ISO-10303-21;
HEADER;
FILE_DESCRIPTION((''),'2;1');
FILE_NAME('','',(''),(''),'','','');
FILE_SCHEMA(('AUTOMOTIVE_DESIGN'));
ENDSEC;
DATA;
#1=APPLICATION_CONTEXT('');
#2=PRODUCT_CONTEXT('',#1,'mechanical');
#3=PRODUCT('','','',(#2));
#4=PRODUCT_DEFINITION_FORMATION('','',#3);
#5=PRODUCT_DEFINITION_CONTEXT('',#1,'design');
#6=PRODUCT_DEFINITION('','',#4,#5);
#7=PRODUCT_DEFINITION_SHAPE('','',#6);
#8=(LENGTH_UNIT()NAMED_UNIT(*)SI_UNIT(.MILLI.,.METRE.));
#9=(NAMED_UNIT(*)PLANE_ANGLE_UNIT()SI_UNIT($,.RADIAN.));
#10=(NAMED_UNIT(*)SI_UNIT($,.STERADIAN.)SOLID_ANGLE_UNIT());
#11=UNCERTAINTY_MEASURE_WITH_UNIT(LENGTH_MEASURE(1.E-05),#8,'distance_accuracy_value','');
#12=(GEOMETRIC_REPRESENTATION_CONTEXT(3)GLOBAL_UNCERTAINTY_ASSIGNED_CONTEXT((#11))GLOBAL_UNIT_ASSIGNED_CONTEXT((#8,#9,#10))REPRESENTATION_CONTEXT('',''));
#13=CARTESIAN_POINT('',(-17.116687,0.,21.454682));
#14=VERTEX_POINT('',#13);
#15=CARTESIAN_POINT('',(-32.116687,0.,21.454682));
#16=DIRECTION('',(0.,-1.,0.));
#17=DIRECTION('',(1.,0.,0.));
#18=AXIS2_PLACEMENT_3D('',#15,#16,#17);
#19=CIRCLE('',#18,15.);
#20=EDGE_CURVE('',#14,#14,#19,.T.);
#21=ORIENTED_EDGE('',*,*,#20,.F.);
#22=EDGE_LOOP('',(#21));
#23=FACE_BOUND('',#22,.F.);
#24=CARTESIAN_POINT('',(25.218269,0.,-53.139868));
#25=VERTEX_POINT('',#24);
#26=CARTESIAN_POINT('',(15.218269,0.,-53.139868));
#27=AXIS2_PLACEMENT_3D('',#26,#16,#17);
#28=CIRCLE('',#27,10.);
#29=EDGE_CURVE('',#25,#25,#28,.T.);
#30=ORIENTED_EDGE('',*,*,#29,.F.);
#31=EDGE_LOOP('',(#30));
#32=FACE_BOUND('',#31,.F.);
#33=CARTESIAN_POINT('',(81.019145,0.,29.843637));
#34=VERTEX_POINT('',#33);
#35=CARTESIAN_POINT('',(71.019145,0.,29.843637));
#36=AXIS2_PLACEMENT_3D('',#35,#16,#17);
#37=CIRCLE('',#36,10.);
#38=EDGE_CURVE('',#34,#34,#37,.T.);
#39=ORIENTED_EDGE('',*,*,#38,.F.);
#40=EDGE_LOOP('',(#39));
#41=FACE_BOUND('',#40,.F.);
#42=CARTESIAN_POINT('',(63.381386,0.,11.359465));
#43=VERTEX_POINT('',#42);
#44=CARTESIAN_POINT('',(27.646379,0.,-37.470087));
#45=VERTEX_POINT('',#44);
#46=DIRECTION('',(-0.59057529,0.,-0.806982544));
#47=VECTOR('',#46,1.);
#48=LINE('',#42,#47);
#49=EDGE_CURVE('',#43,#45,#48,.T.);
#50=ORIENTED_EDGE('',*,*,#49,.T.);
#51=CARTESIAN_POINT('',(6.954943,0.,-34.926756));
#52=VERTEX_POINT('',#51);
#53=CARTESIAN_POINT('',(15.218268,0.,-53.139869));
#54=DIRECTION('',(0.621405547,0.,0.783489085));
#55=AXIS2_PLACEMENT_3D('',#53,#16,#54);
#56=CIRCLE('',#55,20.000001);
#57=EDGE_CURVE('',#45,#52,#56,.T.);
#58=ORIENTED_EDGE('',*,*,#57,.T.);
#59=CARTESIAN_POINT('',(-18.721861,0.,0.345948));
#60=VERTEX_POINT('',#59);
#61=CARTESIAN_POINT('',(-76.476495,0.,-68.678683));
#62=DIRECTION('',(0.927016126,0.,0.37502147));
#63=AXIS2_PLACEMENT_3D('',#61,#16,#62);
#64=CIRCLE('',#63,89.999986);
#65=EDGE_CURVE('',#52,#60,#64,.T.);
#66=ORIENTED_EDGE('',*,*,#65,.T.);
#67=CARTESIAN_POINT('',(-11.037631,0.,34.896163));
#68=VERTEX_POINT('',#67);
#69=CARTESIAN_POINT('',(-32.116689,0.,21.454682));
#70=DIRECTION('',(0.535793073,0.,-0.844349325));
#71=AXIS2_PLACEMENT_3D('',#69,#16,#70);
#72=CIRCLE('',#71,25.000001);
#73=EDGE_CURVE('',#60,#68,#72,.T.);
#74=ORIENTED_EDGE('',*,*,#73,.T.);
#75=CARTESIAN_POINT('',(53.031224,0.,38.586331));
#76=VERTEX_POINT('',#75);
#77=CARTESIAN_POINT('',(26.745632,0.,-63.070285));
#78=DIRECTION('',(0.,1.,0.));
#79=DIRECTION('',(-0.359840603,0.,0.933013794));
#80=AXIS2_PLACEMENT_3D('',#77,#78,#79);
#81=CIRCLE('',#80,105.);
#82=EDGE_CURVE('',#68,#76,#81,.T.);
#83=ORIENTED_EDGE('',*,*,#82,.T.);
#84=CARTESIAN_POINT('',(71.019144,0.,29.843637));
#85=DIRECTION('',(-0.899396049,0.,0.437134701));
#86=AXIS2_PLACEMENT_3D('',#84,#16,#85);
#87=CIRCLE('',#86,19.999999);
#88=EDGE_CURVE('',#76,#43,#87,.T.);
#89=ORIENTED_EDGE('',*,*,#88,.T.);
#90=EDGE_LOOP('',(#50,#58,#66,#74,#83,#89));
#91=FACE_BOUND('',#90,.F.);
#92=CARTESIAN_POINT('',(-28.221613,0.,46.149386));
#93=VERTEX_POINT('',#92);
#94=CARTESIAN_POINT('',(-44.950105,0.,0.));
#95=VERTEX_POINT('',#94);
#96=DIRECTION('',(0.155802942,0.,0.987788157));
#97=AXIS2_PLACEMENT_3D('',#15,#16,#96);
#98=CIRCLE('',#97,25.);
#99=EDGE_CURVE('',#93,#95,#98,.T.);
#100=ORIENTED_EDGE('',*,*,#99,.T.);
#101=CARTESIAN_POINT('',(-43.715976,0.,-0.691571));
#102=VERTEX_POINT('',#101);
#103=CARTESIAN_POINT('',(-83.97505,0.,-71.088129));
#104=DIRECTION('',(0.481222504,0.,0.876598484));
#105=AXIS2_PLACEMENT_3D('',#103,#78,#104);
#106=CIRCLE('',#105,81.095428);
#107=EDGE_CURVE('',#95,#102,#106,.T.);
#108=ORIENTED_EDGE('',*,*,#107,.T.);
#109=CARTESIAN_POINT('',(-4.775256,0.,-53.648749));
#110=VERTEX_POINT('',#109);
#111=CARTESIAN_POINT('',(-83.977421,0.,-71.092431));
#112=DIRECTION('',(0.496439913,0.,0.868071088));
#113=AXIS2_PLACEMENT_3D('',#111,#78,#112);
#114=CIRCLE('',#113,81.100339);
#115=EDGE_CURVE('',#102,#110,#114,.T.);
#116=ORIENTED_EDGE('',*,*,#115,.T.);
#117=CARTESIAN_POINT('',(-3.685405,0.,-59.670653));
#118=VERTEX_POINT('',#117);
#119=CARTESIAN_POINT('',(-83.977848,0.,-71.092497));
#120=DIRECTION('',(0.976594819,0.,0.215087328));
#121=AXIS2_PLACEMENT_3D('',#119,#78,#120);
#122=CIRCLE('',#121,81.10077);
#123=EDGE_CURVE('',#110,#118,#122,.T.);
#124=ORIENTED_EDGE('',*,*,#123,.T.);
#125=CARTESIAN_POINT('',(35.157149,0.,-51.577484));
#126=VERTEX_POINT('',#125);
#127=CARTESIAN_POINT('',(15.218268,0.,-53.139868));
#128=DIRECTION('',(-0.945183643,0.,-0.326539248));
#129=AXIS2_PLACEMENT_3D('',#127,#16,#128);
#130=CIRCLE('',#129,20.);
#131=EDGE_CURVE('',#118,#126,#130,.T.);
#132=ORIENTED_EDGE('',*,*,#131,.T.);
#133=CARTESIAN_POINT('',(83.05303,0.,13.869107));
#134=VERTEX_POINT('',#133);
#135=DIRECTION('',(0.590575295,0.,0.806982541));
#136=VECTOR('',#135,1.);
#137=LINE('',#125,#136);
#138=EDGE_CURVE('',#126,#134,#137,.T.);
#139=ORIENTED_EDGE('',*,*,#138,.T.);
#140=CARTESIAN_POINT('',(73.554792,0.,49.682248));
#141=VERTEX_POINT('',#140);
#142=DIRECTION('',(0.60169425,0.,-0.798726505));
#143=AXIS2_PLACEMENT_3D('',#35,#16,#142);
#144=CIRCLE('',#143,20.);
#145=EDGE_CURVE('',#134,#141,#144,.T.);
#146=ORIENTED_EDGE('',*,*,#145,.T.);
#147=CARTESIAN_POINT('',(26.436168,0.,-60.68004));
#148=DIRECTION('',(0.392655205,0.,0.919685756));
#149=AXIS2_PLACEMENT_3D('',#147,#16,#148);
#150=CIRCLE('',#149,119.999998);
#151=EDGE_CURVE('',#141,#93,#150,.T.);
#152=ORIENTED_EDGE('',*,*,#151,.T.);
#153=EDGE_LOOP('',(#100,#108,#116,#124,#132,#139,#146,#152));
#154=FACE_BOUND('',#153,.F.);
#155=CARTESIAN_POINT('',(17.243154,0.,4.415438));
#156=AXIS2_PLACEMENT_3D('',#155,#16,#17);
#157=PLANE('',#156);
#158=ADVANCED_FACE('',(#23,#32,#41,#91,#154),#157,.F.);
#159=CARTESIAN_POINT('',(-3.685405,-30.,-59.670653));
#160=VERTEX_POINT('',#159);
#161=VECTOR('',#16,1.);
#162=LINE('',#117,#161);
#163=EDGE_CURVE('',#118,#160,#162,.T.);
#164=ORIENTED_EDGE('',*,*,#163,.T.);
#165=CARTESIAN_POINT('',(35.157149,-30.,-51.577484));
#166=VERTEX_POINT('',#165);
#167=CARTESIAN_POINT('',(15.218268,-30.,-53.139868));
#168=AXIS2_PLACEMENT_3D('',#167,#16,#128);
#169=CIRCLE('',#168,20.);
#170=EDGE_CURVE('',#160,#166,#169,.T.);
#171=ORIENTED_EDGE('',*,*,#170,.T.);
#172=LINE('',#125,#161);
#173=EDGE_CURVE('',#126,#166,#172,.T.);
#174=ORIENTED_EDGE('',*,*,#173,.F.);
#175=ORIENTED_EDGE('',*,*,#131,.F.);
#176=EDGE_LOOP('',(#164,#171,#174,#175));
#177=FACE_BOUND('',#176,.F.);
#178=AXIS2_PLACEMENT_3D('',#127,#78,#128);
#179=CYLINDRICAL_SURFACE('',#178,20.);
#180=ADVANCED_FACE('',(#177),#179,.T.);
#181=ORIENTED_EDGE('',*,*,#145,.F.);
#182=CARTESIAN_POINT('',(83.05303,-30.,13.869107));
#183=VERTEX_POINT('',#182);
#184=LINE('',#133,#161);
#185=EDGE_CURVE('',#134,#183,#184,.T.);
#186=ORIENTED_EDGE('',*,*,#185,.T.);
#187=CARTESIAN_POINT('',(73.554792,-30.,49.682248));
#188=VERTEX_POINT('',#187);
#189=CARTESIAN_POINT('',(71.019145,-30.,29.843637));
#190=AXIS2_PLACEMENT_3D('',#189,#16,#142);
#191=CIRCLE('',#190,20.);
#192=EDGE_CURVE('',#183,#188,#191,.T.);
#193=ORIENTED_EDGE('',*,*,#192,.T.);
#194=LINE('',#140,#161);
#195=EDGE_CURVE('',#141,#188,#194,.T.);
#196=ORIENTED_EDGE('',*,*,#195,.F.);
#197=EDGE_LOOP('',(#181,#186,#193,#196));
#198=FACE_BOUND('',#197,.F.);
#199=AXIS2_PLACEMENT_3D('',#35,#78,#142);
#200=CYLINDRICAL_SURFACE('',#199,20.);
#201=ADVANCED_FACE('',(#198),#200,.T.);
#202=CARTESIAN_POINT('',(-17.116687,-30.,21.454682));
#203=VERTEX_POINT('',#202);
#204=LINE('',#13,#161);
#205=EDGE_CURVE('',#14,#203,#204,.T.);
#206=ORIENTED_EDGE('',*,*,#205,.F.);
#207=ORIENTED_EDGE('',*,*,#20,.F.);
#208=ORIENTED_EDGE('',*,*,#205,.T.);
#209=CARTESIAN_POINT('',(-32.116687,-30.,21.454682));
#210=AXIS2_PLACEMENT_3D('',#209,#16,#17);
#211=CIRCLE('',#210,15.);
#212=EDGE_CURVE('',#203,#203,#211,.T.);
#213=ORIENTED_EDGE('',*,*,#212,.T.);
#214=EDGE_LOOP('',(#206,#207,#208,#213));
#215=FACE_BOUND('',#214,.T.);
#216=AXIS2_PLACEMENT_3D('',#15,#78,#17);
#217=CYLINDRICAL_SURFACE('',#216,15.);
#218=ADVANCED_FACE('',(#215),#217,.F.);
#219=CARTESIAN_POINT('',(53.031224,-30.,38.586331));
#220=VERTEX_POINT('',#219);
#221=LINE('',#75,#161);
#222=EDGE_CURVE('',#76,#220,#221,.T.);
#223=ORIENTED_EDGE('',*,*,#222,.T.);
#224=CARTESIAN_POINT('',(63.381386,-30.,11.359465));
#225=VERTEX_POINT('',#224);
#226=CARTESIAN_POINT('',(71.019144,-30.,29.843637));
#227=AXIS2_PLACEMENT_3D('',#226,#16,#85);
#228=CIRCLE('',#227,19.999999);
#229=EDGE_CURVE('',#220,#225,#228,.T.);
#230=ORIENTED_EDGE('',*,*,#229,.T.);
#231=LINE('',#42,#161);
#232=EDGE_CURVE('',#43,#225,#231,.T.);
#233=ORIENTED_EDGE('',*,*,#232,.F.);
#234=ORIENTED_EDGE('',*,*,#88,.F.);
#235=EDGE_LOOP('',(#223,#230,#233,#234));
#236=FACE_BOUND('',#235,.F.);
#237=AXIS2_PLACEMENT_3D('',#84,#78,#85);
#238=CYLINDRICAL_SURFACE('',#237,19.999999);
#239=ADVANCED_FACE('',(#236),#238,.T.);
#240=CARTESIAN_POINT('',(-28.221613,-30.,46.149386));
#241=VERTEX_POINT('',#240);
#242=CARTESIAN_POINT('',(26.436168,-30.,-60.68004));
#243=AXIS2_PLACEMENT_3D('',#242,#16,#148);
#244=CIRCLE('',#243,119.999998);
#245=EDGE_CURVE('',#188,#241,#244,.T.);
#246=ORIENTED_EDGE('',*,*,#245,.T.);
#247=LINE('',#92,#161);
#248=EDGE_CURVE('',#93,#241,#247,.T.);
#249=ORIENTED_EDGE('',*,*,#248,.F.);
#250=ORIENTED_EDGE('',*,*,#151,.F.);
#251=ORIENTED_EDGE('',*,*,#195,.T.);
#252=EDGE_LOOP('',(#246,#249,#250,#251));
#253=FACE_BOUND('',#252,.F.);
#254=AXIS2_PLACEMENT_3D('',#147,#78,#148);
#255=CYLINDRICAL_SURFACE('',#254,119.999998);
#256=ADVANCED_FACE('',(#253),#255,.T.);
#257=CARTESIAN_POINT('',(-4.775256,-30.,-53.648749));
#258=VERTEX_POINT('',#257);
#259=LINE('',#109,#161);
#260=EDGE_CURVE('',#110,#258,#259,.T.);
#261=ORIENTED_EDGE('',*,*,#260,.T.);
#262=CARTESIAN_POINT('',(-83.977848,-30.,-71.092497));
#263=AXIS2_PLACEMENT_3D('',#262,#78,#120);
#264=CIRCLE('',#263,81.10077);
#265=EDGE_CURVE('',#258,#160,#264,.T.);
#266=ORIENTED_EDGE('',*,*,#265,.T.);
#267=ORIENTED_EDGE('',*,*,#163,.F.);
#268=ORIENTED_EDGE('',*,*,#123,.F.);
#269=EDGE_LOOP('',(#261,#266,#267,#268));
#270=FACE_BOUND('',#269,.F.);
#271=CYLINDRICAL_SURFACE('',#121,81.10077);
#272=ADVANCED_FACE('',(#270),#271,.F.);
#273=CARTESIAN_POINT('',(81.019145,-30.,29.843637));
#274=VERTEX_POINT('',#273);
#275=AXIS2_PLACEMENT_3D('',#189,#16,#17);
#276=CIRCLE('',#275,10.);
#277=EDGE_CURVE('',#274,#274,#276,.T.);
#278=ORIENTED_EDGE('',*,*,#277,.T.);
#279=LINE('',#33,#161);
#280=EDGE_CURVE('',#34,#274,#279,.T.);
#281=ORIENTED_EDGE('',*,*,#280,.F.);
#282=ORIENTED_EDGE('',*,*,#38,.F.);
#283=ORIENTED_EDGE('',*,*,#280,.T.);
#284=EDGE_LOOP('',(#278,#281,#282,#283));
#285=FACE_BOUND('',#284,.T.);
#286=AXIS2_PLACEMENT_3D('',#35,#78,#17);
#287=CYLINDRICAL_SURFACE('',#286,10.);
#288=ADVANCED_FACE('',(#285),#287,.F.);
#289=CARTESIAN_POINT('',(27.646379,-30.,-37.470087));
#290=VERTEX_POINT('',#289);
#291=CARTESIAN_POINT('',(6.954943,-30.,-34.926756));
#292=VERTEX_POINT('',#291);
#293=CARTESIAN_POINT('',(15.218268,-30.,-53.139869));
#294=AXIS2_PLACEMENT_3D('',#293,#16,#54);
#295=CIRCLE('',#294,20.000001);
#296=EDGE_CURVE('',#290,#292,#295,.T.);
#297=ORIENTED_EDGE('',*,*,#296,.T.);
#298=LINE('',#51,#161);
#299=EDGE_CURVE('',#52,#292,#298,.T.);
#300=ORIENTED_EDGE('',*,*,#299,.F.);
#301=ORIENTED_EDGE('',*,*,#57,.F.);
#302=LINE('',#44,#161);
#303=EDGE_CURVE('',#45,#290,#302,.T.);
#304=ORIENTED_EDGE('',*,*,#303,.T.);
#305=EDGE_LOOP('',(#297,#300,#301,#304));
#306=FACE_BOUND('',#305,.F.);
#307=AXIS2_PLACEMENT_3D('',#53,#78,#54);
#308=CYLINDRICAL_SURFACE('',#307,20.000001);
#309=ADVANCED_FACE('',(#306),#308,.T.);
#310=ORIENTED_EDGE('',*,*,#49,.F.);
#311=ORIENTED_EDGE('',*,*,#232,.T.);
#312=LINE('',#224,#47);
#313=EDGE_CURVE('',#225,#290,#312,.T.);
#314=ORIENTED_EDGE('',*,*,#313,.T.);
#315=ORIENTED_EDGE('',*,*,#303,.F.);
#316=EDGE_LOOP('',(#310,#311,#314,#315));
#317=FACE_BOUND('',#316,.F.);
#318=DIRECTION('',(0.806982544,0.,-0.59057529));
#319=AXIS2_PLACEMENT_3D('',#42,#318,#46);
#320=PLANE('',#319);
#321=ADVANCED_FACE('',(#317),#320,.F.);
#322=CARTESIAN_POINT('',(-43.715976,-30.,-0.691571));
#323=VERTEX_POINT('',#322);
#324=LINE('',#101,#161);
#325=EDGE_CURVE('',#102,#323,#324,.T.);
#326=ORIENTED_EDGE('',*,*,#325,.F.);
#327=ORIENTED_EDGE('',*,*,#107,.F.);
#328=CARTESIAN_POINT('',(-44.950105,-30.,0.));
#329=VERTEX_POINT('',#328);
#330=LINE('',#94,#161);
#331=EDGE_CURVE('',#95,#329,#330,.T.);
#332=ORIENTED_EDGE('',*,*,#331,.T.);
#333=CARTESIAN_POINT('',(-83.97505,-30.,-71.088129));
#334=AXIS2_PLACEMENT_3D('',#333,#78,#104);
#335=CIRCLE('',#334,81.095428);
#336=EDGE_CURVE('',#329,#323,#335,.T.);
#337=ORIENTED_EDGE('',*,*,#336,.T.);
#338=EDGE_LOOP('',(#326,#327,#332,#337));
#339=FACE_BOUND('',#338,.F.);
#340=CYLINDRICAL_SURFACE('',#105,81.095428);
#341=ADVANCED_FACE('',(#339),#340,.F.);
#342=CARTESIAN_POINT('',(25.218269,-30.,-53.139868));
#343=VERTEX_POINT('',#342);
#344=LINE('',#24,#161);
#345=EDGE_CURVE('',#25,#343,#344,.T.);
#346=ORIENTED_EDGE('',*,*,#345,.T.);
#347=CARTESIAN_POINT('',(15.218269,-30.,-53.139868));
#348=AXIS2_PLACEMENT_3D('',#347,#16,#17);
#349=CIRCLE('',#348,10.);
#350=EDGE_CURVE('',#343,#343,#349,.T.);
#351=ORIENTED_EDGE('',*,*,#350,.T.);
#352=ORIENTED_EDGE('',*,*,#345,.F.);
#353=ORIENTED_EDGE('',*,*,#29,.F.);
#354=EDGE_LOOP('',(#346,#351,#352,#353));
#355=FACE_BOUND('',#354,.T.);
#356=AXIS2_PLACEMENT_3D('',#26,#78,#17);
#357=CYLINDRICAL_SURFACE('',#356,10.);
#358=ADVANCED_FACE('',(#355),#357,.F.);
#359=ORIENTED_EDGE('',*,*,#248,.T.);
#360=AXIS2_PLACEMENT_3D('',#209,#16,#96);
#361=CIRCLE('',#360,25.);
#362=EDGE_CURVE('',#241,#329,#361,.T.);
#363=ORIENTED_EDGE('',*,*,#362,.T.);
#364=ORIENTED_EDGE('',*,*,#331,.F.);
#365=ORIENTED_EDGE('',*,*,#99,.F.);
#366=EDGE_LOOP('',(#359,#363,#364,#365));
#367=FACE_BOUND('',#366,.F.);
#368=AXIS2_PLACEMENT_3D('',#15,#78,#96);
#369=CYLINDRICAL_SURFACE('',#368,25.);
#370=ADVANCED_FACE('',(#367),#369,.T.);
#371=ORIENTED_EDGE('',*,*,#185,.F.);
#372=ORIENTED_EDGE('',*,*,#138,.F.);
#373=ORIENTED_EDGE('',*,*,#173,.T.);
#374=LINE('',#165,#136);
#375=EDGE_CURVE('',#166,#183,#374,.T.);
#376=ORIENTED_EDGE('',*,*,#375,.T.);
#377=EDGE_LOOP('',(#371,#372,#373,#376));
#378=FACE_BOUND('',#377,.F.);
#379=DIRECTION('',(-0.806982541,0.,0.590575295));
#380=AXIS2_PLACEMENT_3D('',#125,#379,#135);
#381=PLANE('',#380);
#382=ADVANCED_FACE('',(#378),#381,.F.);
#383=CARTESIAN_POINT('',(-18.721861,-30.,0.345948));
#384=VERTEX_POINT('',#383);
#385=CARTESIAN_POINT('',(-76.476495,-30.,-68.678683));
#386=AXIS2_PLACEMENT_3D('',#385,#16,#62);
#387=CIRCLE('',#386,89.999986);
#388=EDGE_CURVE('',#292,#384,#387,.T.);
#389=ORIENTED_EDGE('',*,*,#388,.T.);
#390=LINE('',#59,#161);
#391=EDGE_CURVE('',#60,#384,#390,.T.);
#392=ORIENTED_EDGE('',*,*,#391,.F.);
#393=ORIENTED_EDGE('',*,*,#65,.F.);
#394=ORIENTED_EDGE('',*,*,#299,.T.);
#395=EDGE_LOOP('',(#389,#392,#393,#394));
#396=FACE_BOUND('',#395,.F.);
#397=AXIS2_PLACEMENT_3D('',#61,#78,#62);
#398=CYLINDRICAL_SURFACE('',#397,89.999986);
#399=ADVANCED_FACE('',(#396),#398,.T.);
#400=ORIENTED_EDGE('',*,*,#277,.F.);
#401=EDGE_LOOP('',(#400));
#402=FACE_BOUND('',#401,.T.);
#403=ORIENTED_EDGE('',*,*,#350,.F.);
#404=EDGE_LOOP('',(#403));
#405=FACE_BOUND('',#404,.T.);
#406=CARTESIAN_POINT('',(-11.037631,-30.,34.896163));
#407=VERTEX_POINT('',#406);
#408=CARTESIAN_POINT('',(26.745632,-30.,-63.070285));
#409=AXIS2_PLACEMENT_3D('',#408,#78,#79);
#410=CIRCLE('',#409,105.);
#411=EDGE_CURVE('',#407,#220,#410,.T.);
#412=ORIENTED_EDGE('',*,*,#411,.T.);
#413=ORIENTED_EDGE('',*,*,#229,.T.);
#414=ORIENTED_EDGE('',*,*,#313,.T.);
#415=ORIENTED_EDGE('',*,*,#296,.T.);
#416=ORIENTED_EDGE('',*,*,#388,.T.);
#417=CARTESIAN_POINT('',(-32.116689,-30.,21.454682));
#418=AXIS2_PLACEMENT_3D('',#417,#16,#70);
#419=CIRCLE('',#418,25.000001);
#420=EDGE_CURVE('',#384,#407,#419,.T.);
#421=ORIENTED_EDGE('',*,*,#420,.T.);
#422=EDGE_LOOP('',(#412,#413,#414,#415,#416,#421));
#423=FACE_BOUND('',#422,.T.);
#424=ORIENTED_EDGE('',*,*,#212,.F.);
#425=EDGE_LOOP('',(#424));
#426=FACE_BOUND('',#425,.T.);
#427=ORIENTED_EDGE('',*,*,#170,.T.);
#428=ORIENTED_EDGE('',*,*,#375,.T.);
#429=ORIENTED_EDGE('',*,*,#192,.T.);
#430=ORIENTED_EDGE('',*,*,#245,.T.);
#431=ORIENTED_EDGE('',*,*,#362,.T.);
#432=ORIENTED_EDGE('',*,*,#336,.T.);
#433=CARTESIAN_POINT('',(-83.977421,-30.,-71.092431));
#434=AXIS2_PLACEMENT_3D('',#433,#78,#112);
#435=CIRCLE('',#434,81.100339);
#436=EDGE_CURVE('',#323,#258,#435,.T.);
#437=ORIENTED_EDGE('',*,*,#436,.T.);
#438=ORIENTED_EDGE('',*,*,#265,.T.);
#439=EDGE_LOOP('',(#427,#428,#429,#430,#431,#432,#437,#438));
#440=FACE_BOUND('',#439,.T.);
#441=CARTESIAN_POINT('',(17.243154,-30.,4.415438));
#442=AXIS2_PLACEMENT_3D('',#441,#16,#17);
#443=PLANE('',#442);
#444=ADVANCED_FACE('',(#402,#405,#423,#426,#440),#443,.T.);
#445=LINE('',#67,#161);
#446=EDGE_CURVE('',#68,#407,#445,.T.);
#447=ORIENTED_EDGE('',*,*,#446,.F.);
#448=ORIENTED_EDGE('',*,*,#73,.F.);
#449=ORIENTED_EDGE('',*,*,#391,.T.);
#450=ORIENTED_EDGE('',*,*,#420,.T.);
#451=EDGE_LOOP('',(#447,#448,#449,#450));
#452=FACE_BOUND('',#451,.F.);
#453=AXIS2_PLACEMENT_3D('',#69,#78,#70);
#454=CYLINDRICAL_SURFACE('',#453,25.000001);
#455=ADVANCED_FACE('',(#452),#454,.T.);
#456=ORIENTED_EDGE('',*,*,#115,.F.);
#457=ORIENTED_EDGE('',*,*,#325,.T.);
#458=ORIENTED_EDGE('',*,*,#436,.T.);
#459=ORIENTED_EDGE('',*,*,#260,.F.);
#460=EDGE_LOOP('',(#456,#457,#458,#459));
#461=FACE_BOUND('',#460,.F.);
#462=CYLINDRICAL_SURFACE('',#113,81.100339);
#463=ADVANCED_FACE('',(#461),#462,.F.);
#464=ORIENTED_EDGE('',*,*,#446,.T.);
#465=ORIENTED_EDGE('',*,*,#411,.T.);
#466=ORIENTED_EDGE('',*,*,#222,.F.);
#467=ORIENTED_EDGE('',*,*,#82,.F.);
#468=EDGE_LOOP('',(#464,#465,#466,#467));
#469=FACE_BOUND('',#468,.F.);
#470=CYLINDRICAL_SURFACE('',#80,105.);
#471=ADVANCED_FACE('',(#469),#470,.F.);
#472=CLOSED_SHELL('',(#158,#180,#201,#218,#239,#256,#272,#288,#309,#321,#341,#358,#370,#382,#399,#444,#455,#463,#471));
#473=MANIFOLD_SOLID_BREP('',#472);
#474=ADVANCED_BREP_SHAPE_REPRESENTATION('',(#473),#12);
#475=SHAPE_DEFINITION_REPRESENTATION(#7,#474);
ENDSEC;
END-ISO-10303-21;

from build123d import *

# Parameters (mm, degrees)
F0_R     = 10
F0_R_2   = 15
F1_DEPTH = 30


with BuildPart() as f1:
    # F0 (on Front) → F1 (new body)
    with BuildSketch(Plane.XZ):
        with BuildLine():
            Line((35.157149, -51.577484), (83.05303, 13.869107))
            ThreePointArc((83.05303, 13.869107), (90.350805, 34.970714), (73.554792, 49.682248))
            ThreePointArc((73.554792, 49.682248), (22.273236, 59.247727), (-28.221613, 46.149386))
            ThreePointArc((-28.221613, 46.149386), (-55.620196, 29.974368), (-44.950105, 0))
            ThreePointArc((-44.950105, 0), (-44.331533, -0.343094), (-43.715976, -0.691571))
            ThreePointArc((-43.715976, -0.691571), (-18.639804, -23.048068), (-4.775256, -53.648749))
            ThreePointArc((-4.775256, -53.648749), (-4.17351, -56.649417), (-3.685405, -59.670653))
            ThreePointArc((-3.685405, -59.670653), (19.297822, -72.719379), (35.157149, -51.577484))
        make_face()
        with Locations((15.218269, -53.139868)):
            Circle(F0_R, mode=Mode.SUBTRACT)
        with Locations((-32.116687, 21.454682)):
            Circle(F0_R_2, mode=Mode.SUBTRACT)
        with BuildLine():
            ThreePointArc((6.954943, -34.926756), (-3.713746, -15.710959), (-18.721861, 0.345948))
            ThreePointArc((-18.721861, 0.345948), (-7.712969, 16.02711), (-11.037631, 34.896163))
            ThreePointArc((-11.037631, 34.896163), (20.707963, 41.755983), (53.031224, 38.586331))
            ThreePointArc((53.031224, 38.586331), (52.324375, 22.73691), (63.381386, 11.359465))
            Line((63.381386, 11.359465), (27.646379, -37.470087))
            ThreePointArc((27.646379, -37.470087), (17.658247, -33.289264), (6.954943, -34.926756))
        make_face(mode=Mode.SUBTRACT)
        with Locations((71.019145, 29.843637)):
            Circle(F0_R, mode=Mode.SUBTRACT)
    extrude(amount=F1_DEPTH)


solid = f1.part
